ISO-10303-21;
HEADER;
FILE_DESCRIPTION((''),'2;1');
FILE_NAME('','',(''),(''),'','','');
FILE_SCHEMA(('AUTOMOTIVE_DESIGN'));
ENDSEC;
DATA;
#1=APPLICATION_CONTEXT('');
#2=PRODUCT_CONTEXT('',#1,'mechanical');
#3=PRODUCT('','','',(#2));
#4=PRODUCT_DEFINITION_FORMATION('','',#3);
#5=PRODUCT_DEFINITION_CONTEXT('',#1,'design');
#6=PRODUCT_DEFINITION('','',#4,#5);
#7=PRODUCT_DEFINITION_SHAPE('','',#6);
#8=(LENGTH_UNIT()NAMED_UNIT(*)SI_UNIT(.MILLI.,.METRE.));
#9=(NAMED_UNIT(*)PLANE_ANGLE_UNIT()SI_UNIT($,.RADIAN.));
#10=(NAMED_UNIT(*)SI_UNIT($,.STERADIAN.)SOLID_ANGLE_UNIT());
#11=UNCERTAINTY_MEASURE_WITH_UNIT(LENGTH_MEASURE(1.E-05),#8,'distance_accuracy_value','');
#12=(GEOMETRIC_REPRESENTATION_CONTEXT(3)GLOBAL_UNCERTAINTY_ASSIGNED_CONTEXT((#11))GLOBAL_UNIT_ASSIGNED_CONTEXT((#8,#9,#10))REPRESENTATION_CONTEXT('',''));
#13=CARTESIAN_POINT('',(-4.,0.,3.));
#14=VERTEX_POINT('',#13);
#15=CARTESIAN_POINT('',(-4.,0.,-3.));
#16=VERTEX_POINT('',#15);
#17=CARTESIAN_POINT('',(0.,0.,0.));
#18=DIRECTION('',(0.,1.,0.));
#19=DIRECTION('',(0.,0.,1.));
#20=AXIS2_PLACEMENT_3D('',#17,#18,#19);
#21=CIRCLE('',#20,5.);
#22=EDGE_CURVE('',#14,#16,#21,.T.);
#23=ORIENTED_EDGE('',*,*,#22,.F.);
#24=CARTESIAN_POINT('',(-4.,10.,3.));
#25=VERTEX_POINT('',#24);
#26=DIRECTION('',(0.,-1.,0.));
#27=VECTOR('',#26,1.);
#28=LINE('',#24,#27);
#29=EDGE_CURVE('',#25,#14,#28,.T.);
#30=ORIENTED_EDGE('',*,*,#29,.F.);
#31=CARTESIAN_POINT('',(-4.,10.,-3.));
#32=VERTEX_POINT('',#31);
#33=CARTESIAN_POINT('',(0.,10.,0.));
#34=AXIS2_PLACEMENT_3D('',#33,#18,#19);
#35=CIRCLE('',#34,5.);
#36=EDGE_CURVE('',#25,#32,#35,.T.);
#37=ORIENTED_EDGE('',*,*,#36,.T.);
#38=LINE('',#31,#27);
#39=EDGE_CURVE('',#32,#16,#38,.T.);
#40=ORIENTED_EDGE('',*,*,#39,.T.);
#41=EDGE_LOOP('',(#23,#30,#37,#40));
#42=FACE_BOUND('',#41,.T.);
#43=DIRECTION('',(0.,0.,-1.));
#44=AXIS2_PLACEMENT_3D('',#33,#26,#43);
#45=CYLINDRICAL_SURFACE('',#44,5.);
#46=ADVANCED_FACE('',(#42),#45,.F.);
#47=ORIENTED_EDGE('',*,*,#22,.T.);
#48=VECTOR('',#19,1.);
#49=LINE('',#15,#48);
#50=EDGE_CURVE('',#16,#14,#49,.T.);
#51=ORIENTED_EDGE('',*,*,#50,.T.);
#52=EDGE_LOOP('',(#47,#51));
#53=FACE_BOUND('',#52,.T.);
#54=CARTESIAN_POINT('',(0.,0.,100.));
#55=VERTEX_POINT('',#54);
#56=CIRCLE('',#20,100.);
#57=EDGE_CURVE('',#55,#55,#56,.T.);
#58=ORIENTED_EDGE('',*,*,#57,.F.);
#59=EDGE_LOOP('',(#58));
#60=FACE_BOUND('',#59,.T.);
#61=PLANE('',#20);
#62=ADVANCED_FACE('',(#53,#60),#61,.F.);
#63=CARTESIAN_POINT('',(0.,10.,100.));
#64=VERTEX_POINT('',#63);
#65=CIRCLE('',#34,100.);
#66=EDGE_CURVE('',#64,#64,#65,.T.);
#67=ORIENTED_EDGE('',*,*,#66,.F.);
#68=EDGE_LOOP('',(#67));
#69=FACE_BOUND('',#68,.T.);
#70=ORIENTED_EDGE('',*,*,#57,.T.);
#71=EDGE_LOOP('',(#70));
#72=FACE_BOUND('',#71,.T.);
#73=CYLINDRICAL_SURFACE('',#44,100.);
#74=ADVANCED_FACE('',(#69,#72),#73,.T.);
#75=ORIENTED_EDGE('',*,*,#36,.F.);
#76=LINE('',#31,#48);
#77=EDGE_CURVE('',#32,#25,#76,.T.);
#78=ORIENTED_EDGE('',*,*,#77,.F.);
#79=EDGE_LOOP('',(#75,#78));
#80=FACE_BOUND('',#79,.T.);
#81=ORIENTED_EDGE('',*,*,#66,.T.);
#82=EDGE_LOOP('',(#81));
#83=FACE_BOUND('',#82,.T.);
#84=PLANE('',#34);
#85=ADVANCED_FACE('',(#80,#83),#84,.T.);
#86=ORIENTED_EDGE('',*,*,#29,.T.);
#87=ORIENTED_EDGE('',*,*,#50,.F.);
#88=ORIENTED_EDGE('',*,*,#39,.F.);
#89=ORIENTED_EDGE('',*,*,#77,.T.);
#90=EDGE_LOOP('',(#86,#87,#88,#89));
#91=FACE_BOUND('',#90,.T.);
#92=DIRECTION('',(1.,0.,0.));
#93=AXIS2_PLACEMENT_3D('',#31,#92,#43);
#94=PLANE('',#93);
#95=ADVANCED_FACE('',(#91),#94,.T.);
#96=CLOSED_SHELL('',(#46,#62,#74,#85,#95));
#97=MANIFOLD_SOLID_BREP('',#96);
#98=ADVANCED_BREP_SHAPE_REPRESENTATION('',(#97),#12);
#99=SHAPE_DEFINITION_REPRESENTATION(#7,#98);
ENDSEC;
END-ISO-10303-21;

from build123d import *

# Parameters (mm, degrees)
SKETCH_1_R      = 100
EXTRUDE_1_DEPTH = 10


with BuildPart() as part:
    # 草图1 → 凸台-拉伸1 (new body)
    with BuildSketch(Plane(origin=(0, 0, 0), x_dir=(1, 0, 0), z_dir=(0, 1, 0))):
        with Locations(Location((0, 0, 0), (0, 0, 270))):
            Circle(SKETCH_1_R)
        with BuildLine():
            Line((-4, 3), (-4, -3))
            ThreePointArc((-4, -3), (5, 0), (-4, 3))
        make_face(mode=Mode.SUBTRACT)
    extrude(amount=EXTRUDE_1_DEPTH)


solid = part.part
